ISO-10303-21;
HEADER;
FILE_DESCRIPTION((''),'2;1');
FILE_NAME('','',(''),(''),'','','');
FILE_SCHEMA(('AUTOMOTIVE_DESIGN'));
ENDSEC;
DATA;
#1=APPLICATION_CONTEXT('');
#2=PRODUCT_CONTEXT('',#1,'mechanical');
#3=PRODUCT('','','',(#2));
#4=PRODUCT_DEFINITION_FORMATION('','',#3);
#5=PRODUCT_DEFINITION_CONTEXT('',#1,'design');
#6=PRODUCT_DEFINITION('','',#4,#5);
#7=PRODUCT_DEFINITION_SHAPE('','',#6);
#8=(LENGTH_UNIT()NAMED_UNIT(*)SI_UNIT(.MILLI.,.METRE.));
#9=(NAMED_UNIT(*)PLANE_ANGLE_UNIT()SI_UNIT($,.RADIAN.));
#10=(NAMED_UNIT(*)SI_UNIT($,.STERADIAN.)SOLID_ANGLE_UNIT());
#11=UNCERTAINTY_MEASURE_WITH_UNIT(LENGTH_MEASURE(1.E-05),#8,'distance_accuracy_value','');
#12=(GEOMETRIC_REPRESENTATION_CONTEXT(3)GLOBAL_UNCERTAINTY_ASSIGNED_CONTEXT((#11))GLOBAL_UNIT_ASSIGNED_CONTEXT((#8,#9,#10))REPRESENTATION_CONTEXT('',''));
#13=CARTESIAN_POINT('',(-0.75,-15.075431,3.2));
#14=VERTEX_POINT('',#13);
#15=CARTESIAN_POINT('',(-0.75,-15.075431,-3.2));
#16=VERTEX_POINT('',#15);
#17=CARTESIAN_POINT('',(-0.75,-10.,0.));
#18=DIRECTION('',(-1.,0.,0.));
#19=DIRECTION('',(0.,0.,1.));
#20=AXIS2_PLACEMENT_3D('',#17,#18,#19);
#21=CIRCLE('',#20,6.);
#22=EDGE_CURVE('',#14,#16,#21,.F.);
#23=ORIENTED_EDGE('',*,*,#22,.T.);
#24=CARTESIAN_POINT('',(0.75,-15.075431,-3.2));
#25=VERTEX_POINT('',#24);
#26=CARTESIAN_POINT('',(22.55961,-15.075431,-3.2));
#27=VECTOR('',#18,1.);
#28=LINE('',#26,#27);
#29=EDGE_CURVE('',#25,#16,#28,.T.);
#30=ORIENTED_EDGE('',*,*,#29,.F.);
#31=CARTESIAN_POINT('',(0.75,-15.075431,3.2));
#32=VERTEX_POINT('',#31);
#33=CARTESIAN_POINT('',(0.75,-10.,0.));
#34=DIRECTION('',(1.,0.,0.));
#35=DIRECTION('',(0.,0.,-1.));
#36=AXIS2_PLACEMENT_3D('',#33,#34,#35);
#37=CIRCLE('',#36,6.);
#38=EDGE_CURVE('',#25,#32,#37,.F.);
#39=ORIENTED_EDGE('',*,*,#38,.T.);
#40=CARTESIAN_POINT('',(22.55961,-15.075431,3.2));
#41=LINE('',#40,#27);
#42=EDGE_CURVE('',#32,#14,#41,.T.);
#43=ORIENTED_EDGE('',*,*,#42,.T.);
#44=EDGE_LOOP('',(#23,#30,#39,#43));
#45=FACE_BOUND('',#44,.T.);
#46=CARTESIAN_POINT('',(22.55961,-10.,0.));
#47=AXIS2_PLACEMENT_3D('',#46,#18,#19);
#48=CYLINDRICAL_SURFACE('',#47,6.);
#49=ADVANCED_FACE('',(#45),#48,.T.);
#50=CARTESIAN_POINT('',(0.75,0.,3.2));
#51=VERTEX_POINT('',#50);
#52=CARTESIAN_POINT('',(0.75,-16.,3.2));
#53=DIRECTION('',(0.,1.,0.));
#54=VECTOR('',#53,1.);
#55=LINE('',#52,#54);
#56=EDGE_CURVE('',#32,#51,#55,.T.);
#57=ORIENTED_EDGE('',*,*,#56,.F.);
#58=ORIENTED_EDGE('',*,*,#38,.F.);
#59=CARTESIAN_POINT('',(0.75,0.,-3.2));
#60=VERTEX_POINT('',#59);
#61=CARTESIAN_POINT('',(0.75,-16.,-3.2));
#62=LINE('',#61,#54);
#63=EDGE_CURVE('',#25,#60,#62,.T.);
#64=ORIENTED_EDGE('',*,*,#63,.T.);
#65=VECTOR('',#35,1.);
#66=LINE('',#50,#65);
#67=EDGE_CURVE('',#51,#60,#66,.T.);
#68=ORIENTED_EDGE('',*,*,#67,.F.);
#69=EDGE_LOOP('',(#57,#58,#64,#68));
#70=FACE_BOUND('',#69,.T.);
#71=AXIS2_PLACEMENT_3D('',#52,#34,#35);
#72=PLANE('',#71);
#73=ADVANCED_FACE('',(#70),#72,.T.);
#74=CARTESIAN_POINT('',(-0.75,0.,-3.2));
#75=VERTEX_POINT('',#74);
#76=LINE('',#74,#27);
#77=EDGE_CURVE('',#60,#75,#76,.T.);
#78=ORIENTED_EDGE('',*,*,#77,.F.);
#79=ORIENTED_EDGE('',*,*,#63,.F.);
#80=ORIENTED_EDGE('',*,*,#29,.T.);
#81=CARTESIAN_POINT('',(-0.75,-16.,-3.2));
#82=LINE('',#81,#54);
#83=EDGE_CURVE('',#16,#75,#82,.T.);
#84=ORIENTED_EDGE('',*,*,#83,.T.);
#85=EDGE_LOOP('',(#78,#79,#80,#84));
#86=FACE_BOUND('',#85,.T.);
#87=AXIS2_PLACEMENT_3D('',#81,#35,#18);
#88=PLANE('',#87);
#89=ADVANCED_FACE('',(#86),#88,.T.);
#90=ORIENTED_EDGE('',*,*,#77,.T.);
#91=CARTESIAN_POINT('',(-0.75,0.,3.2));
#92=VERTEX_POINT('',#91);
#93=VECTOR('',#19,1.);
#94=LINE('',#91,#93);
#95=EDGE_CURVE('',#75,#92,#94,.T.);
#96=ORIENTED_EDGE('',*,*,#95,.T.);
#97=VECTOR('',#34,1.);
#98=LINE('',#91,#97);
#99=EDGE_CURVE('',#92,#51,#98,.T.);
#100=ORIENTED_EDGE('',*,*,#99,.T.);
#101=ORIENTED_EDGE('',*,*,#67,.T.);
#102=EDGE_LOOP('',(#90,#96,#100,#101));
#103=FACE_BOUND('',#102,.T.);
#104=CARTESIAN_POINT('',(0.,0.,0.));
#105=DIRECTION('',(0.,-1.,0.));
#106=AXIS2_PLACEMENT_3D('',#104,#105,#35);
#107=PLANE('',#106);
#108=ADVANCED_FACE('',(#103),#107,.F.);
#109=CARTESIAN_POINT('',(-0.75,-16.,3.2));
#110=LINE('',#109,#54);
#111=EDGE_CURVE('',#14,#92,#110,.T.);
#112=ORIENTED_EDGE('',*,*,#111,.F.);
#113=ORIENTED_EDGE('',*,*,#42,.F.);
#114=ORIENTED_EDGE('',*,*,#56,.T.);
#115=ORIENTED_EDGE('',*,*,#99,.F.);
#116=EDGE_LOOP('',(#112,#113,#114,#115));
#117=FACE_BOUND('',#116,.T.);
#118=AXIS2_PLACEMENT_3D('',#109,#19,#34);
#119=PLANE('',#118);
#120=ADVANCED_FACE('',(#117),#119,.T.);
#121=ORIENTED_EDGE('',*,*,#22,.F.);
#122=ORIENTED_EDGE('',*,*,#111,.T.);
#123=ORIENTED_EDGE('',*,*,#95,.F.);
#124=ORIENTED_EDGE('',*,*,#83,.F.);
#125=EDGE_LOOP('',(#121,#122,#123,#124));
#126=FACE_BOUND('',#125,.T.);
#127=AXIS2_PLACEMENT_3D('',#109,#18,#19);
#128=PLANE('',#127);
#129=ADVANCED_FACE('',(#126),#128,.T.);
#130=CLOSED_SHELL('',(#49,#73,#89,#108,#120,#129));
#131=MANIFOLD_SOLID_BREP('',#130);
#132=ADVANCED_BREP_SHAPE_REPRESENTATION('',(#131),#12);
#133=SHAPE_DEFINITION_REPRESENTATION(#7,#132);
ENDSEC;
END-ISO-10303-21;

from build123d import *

# Parameters (mm, degrees)
SPIN_W           = 1.5
SPIN_H           = 6.4
FPIN_DEPTH       = 16
FPIN2_DEPTH      = 1.75
FPIN2_DEPTH_BACK = 1.75


with BuildPart() as part:
    # SPin → FPin (new body)
    with BuildSketch(Plane(origin=(0, 0, 0), x_dir=(1, 0, 0), z_dir=(0, 1, 0))):
        Rectangle(SPIN_W, SPIN_H)
    extrude(amount=-FPIN_DEPTH)

    # SPin2 → FPin2 (cut, two sides)
    with BuildSketch(Plane(origin=(0, 0, 0), x_dir=(0, 0, -1), z_dir=(1, 0, 0))) as fpin2_sk:
        with BuildLine():
            Line((-39.366991309, 7.727434754), (-3.2, -15.075431016))
            ThreePointArc((-3.2, -15.075431016), (0, -16), (3.2, -15.075431016))
            Line((3.2, -15.075431016), (39.366991309, 7.727434754))
            Line((39.366991309, 7.727434754), (39.366991309, -77.783311885))
            Line((39.366991309, -77.783311885), (-39.366991309, -77.783311885))
            Line((-39.366991309, -77.783311885), (-39.366991309, 7.727434754))
        make_face()
    extrude(amount=FPIN2_DEPTH, mode=Mode.SUBTRACT)
    extrude(fpin2_sk.sketch, amount=-FPIN2_DEPTH_BACK, mode=Mode.SUBTRACT)


solid = part.part
